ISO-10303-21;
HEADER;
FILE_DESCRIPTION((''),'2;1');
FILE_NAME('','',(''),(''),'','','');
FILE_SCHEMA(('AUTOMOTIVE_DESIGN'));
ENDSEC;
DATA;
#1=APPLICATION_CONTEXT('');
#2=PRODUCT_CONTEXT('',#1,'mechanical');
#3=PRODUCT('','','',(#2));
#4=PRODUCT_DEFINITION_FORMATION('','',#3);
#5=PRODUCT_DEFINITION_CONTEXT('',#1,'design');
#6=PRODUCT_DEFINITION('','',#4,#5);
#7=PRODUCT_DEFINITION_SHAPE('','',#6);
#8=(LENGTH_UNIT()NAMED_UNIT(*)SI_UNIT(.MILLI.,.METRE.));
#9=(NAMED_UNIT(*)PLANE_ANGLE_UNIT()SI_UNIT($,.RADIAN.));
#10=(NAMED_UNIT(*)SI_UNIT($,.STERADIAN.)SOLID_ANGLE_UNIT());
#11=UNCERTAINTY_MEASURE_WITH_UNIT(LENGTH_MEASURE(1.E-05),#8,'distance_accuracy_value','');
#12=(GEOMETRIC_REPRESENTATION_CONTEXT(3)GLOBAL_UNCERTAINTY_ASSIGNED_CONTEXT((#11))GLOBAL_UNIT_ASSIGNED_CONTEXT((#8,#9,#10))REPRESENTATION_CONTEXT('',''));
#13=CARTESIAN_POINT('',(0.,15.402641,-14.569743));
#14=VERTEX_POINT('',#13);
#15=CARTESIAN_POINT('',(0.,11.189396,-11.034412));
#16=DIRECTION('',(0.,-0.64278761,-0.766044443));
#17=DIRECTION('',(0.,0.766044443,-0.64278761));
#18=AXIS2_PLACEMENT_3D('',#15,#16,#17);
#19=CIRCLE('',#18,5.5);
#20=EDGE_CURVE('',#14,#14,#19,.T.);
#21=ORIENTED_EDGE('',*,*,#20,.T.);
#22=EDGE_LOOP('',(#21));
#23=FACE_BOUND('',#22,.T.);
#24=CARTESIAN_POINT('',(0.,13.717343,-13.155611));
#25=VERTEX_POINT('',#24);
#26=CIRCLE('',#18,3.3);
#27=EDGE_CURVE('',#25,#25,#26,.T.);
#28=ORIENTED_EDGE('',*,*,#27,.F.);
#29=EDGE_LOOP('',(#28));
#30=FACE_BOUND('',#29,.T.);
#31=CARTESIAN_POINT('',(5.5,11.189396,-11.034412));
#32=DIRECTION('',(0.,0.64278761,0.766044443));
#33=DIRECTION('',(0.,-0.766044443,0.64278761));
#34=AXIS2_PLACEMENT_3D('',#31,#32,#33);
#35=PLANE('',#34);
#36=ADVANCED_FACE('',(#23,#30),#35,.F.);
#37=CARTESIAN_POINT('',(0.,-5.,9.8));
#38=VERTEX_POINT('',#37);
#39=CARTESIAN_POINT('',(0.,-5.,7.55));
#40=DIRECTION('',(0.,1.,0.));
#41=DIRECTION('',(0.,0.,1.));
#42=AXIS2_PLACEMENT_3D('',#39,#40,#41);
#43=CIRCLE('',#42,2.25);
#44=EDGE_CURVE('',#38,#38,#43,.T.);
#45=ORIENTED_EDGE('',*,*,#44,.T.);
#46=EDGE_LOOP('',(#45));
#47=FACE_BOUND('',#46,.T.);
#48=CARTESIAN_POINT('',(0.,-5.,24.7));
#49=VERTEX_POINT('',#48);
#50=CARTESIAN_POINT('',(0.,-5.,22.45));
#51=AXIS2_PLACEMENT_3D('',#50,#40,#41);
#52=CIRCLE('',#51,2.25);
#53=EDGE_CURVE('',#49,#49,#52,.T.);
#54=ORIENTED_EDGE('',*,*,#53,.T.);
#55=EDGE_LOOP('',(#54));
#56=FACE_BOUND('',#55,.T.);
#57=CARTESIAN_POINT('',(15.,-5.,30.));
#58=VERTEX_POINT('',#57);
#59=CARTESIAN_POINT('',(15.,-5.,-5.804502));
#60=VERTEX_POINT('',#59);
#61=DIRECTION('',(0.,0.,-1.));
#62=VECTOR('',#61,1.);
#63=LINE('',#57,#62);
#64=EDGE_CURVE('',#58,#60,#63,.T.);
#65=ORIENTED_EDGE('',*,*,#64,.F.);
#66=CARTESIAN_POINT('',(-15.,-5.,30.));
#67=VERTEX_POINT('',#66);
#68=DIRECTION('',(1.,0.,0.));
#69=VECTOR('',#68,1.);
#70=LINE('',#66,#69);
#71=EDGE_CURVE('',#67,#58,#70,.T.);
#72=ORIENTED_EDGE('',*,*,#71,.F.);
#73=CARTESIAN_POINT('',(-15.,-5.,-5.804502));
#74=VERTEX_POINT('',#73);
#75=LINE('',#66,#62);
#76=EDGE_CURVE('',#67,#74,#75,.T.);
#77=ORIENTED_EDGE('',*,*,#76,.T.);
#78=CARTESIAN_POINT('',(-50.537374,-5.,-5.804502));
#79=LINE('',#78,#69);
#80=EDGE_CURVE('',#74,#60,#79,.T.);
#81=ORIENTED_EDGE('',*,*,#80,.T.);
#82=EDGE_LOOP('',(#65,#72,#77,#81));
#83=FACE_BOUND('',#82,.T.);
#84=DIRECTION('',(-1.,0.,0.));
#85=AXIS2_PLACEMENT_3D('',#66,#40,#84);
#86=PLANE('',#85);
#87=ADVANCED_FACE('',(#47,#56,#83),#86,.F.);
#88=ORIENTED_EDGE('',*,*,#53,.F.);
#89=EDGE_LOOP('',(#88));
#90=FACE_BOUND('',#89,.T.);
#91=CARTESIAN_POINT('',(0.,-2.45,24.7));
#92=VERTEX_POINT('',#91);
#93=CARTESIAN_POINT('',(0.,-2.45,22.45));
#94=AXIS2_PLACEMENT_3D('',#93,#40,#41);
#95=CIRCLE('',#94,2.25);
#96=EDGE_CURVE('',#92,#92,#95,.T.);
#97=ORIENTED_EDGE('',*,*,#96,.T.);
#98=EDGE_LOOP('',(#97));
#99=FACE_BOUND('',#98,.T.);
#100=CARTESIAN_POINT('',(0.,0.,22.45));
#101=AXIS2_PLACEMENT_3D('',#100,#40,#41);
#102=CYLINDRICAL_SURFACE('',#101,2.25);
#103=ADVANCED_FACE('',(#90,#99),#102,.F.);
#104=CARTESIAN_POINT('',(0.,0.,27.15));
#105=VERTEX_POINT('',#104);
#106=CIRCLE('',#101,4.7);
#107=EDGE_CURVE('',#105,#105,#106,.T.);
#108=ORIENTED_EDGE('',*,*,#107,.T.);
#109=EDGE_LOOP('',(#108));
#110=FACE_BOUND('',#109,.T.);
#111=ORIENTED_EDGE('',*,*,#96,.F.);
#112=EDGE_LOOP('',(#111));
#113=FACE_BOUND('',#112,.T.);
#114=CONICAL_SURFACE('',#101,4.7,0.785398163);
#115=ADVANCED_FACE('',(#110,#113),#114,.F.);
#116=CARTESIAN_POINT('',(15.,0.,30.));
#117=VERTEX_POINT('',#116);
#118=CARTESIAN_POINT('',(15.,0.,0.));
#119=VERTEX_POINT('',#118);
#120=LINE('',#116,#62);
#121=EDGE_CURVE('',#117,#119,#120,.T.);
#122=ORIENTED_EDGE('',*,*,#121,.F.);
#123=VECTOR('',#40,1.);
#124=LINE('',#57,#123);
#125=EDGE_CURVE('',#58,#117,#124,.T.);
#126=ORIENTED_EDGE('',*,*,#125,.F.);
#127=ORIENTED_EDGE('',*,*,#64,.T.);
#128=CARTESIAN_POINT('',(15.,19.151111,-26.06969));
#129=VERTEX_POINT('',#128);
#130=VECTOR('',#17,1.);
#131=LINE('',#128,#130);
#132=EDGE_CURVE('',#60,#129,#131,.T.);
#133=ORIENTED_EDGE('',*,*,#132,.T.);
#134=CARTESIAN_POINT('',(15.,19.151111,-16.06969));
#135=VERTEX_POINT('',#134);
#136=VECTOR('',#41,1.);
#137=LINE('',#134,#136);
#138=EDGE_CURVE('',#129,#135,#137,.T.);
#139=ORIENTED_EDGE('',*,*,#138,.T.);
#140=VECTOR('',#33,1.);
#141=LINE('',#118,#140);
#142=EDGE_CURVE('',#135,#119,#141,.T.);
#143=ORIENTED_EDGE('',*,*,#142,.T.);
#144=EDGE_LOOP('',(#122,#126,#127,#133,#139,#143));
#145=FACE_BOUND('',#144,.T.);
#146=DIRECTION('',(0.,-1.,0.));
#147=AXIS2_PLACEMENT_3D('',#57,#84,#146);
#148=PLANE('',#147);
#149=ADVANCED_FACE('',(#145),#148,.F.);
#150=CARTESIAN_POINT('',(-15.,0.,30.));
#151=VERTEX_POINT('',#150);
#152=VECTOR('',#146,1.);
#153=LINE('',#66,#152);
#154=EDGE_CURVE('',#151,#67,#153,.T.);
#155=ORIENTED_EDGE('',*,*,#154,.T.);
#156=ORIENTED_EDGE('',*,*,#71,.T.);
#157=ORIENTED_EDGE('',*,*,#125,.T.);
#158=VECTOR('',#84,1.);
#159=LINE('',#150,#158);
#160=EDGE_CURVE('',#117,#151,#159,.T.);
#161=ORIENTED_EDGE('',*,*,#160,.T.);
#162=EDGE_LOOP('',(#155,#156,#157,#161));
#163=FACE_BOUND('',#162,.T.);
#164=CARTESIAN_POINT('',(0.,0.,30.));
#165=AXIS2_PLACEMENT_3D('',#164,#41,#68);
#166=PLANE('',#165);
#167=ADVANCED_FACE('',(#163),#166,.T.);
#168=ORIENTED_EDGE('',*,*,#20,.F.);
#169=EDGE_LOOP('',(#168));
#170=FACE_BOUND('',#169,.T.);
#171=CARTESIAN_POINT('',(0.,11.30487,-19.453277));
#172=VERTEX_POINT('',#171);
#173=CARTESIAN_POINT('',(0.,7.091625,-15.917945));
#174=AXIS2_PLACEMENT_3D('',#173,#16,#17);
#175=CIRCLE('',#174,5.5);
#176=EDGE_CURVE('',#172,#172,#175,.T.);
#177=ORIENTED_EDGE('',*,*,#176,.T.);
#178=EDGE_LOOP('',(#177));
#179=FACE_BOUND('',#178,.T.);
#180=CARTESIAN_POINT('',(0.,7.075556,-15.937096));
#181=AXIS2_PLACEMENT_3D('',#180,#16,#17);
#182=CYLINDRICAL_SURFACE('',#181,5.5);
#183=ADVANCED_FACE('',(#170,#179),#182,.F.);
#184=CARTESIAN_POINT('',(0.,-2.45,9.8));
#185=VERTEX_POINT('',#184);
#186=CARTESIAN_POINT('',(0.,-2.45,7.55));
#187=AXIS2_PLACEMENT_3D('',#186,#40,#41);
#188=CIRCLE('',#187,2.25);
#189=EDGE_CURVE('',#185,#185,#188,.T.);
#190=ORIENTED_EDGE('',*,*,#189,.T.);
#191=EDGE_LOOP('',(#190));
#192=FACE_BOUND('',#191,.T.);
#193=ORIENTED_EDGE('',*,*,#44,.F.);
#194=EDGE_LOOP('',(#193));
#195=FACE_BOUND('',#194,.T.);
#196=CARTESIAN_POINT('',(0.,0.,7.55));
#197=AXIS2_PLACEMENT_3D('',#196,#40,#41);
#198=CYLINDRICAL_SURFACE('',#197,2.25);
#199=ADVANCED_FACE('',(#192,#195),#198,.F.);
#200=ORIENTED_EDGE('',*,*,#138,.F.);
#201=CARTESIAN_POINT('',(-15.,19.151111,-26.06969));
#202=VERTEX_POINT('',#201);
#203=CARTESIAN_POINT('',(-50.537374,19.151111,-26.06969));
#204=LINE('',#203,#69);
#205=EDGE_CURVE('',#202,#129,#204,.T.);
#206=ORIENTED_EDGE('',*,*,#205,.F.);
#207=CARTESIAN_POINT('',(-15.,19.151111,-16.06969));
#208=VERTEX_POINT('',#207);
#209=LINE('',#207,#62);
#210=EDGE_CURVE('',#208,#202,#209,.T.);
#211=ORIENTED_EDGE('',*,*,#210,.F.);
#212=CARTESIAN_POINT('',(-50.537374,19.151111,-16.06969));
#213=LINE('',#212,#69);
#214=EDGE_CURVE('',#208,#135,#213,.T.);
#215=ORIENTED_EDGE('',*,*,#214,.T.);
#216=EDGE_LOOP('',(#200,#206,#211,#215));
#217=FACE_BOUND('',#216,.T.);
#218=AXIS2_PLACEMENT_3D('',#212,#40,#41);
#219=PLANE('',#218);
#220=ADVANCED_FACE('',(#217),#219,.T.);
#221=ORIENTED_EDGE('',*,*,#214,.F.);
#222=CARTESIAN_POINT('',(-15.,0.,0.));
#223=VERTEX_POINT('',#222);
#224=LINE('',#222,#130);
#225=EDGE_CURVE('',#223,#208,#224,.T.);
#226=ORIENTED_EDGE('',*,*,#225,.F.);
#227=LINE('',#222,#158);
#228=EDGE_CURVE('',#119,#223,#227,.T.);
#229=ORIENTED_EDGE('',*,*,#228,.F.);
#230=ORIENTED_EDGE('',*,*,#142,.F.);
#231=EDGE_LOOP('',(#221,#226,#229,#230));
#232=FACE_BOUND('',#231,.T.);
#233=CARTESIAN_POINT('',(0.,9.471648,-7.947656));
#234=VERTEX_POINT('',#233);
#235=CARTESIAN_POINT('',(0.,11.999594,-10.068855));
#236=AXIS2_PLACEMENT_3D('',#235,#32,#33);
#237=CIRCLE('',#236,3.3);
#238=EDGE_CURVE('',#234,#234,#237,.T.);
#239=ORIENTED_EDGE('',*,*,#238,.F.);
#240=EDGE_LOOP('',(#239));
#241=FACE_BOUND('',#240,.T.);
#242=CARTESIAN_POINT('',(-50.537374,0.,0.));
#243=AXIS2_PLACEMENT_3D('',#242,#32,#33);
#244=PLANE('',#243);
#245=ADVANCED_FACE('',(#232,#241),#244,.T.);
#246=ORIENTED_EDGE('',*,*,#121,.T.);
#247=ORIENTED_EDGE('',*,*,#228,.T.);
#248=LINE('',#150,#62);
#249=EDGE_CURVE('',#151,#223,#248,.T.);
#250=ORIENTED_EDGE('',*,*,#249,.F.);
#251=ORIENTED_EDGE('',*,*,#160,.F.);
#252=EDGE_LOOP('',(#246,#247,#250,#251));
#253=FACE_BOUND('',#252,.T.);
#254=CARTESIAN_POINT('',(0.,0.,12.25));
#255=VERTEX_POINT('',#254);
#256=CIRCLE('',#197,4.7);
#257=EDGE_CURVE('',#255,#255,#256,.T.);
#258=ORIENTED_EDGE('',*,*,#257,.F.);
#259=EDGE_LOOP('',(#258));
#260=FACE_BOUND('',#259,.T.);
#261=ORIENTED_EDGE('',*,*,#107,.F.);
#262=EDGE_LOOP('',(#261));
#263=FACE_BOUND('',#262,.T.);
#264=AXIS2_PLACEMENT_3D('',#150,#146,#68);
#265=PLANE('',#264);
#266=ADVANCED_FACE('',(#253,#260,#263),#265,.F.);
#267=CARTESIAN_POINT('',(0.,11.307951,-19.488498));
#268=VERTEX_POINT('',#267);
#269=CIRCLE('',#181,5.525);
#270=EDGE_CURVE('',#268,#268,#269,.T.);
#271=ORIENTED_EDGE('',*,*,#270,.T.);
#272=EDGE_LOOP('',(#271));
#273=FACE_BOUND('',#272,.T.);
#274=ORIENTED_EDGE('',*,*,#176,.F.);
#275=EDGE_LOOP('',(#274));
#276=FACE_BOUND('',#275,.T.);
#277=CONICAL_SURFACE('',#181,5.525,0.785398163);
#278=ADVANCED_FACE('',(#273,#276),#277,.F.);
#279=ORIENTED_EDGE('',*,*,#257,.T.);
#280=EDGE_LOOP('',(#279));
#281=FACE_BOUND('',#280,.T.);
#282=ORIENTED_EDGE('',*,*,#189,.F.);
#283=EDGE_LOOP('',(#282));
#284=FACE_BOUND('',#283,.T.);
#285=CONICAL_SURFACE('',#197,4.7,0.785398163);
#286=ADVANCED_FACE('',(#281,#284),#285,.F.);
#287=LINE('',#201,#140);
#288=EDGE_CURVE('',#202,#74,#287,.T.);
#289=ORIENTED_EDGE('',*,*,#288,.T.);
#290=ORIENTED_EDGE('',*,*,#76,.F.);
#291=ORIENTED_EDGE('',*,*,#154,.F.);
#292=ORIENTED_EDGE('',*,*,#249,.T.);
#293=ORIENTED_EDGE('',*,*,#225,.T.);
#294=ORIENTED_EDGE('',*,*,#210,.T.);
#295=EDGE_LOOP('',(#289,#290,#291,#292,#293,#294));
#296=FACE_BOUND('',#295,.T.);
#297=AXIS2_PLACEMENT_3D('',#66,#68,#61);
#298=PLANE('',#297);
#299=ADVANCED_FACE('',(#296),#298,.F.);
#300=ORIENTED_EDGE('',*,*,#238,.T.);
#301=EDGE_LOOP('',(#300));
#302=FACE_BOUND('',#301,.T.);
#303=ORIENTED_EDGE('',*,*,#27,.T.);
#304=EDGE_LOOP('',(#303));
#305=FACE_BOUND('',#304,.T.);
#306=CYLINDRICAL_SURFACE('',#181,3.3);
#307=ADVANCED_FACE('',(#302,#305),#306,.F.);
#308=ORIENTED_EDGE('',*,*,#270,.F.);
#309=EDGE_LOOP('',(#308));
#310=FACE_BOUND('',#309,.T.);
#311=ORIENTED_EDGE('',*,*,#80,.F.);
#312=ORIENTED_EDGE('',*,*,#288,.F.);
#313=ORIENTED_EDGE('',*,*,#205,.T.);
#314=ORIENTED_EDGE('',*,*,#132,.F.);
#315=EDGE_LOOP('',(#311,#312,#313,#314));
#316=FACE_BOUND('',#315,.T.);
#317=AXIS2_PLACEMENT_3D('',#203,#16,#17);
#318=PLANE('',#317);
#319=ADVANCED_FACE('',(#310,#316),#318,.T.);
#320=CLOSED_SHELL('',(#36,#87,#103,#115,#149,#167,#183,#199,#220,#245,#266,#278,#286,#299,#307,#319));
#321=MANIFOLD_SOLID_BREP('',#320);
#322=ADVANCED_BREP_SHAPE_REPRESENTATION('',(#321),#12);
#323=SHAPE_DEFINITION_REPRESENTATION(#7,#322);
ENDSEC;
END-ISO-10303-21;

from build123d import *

# Parameters (mm, degrees)
SKETCH1_W                                           = 30
SKETCH1_H                                           = 5
BOSS_EXTRUDE1_DEPTH                                 = 30
BOSS_EXTRUDE3_DEPTH                                 = 30
CSK_FOR_M4_COUNTERSUNK_FLAT_HEAD_SCREW1_D           = 4.5
CSK_FOR_M4_COUNTERSUNK_FLAT_HEAD_SCREW1_CSINK_D     = 9.4
CSK_FOR_M4_COUNTERSUNK_FLAT_HEAD_SCREW1_CSINK_ANGLE = 90


with BuildPart() as part:
    # Sketch1 → Boss-Extrude1 (new body)
    with BuildSketch(Plane.XY):
        with Locations((0, -2.5)):
            Rectangle(SKETCH1_W, SKETCH1_H)
    extrude(amount=BOSS_EXTRUDE1_DEPTH)

    # Sketch3 → Boss-Extrude3 (add)
    with BuildSketch(Plane(origin=(15, 0, 0), x_dir=(0, 0, -1), z_dir=(1, 0, 0))):
        Polygon((0, 0), (16.069690242, 19.151111078), (26.069690242, 19.151111078), (5.804501844, -5), (0, -5), align=None)
    extrude(amount=-BOSS_EXTRUDE3_DEPTH)

    # Sketch6 → CBORE for M6 Hex Socket Head Cap Screw1 (revolve, cut)
    with BuildSketch(Plane(origin=(0, 7.075555539, -15.937096043), x_dir=(0, 0.766044443, -0.64278761), z_dir=(1, 0, 0))):
        Polygon((0, 0), (0, 42.951874637), (3.3, 42.951874637), (3.3, 6.4), (5.5, 6.4), (5.5, 0.025), (5.525, 0), align=None)
    revolve(axis=Axis((0, 2.993854217, -20.801478257), (0, 0.64278761, 0.766044443)), mode=Mode.SUBTRACT)

    # CSK for M4 Countersunk Flat Head Screw1 (through all)
    with Locations(Plane(origin=(0, 0, 0), x_dir=(1, 0, 0), z_dir=(0, 1, 0))):
        with Locations((0, -7.55), (0, -22.45)):
            CounterSinkHole(CSK_FOR_M4_COUNTERSUNK_FLAT_HEAD_SCREW1_D / 2, CSK_FOR_M4_COUNTERSUNK_FLAT_HEAD_SCREW1_CSINK_D / 2, counter_sink_angle=CSK_FOR_M4_COUNTERSUNK_FLAT_HEAD_SCREW1_CSINK_ANGLE)


solid = part.part
